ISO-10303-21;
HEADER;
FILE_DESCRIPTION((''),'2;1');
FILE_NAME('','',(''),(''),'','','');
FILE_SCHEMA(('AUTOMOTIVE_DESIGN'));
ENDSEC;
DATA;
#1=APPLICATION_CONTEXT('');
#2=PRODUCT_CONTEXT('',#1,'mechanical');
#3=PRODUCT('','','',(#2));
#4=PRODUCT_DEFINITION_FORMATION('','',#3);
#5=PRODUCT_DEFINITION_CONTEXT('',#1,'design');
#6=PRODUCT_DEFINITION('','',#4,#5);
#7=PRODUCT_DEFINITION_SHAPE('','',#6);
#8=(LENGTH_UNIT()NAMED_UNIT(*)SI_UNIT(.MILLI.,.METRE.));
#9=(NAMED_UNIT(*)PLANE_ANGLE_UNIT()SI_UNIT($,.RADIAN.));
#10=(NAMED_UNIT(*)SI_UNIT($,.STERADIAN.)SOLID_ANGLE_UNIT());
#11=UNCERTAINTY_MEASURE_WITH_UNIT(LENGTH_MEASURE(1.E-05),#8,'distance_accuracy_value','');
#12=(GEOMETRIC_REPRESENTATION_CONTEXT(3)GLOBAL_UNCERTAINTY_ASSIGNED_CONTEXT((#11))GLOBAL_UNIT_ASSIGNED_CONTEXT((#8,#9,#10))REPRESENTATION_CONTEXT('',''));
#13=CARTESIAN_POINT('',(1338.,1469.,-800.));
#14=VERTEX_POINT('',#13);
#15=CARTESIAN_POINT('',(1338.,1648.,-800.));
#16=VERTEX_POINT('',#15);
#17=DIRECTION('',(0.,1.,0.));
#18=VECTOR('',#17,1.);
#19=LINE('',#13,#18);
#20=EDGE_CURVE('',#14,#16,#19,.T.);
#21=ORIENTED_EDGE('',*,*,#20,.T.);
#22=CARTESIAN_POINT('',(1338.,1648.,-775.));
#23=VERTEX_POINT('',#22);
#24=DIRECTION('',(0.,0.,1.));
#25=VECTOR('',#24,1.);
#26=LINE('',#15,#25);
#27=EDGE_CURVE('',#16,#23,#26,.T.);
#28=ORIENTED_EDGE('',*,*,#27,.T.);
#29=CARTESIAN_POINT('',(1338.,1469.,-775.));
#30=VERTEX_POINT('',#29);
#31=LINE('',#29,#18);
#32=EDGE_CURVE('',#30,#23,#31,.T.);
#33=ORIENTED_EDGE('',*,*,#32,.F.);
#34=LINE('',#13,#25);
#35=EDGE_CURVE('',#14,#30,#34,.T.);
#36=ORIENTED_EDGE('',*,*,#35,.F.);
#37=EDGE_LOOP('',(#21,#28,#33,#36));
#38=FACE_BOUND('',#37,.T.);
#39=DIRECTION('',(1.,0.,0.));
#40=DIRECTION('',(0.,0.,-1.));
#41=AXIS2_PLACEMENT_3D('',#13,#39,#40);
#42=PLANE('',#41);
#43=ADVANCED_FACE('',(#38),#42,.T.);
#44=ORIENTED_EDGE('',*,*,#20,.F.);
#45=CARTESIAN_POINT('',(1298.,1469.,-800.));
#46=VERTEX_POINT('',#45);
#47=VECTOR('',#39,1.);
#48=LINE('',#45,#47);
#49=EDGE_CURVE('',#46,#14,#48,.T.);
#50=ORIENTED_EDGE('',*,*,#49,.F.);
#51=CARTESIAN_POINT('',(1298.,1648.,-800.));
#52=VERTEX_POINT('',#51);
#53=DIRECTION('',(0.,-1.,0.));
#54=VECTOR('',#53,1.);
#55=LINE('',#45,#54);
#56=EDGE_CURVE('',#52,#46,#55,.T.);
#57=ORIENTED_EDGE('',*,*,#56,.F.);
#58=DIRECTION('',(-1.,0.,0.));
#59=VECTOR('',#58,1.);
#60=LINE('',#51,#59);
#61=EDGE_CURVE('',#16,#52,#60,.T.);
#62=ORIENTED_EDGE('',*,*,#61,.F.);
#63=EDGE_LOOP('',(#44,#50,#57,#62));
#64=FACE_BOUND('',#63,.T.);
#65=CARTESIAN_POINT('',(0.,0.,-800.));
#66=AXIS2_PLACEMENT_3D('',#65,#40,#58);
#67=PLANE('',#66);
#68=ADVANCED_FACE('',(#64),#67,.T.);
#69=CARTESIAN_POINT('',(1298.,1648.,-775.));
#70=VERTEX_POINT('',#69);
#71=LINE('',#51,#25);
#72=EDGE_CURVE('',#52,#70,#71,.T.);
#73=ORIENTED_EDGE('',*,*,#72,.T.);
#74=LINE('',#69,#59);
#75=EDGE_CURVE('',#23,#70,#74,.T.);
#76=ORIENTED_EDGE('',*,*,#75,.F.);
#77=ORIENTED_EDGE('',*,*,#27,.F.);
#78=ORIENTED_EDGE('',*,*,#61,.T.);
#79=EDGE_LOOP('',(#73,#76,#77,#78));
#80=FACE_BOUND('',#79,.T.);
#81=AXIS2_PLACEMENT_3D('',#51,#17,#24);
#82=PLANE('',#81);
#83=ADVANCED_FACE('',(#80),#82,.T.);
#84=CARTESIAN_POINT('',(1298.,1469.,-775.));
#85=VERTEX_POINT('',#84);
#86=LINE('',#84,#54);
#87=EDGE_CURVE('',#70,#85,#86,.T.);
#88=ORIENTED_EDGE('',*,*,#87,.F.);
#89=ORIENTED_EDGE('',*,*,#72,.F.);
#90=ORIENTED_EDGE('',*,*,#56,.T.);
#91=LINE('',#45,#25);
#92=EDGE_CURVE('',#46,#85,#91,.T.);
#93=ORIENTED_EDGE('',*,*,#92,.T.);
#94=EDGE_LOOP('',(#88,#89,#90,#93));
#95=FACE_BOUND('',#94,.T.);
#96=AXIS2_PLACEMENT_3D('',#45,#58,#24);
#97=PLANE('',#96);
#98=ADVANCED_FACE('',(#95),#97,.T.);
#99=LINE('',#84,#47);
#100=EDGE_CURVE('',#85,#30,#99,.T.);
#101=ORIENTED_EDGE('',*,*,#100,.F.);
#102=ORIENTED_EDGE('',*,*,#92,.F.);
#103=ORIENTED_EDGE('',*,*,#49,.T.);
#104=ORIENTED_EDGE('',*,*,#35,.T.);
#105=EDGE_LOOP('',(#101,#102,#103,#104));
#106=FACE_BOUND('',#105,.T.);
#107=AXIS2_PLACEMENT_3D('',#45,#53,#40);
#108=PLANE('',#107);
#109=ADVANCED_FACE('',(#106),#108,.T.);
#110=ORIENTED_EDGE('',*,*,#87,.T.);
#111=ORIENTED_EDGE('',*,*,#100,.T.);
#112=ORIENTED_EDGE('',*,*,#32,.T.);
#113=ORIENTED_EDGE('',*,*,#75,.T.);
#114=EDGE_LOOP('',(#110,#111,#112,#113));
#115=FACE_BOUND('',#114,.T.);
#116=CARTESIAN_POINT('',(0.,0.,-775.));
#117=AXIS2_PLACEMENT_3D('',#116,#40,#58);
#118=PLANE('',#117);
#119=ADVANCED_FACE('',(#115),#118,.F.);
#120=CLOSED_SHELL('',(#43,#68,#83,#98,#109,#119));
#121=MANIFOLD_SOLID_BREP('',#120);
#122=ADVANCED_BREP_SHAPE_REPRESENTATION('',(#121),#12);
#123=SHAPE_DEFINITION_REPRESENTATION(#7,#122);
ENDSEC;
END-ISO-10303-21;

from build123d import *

# Parameters (mm, degrees)
DET2_KABLO_KANALI_40X25_1_START = -775
SKETCH1_W                       = 40
SKETCH1_H                       = 179
DET2_KABLO_KANALI_40X25_1_DEPTH = 25


with BuildPart() as part:
    # Sketch1 → DET2_kablo_kanali_40x25_1 (new body)
    with BuildSketch(Plane.XY.offset(DET2_KABLO_KANALI_40X25_1_START)):
        with Locations((1318, 1558.5)):
            Rectangle(SKETCH1_W, SKETCH1_H)
    extrude(amount=-DET2_KABLO_KANALI_40X25_1_DEPTH)


solid = part.part
